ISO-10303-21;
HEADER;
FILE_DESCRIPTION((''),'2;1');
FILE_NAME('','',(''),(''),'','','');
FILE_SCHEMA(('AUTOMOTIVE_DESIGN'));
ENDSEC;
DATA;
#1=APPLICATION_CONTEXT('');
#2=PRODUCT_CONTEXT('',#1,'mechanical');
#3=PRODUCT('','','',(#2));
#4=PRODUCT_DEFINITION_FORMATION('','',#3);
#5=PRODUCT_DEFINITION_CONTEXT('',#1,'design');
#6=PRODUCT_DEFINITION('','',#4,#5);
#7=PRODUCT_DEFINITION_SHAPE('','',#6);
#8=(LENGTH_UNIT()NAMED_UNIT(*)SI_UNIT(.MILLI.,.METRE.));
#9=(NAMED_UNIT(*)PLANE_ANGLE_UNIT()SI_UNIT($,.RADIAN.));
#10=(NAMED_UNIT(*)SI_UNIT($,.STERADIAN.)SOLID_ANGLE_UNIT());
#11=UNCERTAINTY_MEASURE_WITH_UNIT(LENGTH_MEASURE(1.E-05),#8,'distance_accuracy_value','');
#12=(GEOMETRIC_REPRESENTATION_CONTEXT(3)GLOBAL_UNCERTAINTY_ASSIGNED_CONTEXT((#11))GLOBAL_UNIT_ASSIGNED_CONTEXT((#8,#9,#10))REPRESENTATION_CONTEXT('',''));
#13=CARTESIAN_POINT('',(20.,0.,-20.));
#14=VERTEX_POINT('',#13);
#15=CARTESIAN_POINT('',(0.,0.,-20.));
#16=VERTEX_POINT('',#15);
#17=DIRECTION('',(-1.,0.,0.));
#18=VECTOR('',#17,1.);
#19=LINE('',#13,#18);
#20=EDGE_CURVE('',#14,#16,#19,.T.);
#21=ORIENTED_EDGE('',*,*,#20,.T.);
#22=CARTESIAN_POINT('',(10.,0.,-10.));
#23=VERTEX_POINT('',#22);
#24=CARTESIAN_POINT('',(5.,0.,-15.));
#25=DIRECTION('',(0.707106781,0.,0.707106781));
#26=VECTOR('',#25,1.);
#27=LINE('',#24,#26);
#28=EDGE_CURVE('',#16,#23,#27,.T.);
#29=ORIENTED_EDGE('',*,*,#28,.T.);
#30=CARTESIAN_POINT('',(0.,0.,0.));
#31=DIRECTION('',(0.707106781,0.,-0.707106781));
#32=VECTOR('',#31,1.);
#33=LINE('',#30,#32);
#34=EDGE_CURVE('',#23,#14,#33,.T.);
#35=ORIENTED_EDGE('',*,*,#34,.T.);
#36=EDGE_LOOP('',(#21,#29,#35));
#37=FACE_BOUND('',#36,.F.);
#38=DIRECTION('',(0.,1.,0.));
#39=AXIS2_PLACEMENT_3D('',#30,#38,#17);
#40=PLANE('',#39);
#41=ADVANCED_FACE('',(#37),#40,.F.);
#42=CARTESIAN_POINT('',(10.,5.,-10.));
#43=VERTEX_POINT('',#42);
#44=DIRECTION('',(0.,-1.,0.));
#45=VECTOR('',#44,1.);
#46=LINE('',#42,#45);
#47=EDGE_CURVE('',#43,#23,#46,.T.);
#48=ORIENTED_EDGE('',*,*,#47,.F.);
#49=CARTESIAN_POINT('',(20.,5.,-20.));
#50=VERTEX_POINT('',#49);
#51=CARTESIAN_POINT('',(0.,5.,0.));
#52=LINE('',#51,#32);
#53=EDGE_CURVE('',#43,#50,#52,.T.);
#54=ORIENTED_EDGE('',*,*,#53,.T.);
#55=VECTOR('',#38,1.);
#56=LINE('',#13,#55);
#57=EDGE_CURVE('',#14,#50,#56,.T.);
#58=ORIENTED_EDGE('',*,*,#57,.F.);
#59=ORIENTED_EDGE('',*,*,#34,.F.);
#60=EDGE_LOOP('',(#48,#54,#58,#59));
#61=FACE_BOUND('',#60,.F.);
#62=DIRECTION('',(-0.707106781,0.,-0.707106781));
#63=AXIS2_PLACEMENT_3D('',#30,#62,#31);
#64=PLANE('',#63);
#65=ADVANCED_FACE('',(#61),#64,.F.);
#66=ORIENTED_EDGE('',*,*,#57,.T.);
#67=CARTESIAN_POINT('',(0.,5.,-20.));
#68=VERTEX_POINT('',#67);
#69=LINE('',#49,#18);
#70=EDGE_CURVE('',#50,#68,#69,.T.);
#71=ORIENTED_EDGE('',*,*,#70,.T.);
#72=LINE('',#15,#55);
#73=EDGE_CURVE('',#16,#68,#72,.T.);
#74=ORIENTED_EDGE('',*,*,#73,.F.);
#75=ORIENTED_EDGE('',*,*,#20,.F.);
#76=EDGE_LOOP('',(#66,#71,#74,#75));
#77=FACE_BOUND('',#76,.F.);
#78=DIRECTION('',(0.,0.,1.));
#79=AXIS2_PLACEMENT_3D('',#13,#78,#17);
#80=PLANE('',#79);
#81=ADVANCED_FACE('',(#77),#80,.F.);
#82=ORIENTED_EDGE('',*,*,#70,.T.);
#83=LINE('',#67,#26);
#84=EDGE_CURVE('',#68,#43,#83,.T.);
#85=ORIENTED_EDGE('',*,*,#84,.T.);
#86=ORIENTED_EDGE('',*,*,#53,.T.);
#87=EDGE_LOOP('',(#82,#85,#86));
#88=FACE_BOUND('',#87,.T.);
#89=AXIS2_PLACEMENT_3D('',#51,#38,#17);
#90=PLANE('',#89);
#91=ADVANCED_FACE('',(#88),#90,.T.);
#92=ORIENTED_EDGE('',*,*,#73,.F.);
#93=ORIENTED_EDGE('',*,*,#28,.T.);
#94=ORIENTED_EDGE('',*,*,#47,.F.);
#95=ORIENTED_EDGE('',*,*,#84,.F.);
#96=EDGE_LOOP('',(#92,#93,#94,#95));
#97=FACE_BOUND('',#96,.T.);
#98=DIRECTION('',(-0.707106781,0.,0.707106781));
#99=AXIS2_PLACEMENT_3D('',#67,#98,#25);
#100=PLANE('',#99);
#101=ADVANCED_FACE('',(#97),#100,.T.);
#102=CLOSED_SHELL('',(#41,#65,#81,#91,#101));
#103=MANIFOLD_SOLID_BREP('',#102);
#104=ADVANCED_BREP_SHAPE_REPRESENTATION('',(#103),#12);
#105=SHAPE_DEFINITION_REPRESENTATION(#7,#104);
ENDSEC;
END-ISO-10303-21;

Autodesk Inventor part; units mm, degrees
ref_plane "YZ Plane" through (0, 0, 0) normal (1, 0, 0) x (0, 1, 0)
ref_plane "XZ Plane" through (0, 0, 0) normal (0, 1, 0) x (-1, 0, 0)
ref_plane "XY Plane" through (0, 0, 0) normal (0, 0, 1) x (1, 0, 0)
sketch "Szkic3" plane through (0, 0, 0) normal (0, 1, 0) x (-1, 0, 0)
  line L0 (0, 0) -> (-20, 0)
  line L1 (-20, 0) -> (-20, -20)
  line L2 (-20, -20) -> (0, -20)
  line L3 (0, -20) -> (0, 0)
  dimension "d6" = 20
  dimension "d7" = 20
extrude "Wyciągnięcie proste3" add sketch "Szkic3" along normal blind 5
sketch "Szkic4" plane through (0, 0, 0) normal (0, -1, 0) x (1, 0, 0)
  line L0 (0, 0) -> (20, 0) projected
  line L1 (20, 0) -> (20, -20) projected
  line L2 (0, 0) -> (20, -20)
  line L3 (20, -20) -> (20, 0)
  line L4 (20, 0) -> (0, 0)
extrude "Wyciągnięcie proste4" cut sketch "Szkic4" against normal blind 5
sketch "Szkic5" plane through (0, 5, 0) normal (0, 1, 0) x (1, 0, 0)
  line L0 (0, 20) -> (0, 0) projected
  line L1 (0, 20) -> (10.5726, 9.4274)
  line L2 (0, 0) -> (20, 20) projected
  line L3 (10.5726, 9.4274) -> (0, -1.1451)
  line L4 (20, 20) -> (0, 20) projected
  line L5 (0, -1.1451) -> (0, 20)
  point P0 (10, 10)
extrude "Wyciągnięcie proste5" cut sketch "Szkic5" against normal blind 10 contours L1 L2 L0
properties part number "Helenowiak_podpora"
